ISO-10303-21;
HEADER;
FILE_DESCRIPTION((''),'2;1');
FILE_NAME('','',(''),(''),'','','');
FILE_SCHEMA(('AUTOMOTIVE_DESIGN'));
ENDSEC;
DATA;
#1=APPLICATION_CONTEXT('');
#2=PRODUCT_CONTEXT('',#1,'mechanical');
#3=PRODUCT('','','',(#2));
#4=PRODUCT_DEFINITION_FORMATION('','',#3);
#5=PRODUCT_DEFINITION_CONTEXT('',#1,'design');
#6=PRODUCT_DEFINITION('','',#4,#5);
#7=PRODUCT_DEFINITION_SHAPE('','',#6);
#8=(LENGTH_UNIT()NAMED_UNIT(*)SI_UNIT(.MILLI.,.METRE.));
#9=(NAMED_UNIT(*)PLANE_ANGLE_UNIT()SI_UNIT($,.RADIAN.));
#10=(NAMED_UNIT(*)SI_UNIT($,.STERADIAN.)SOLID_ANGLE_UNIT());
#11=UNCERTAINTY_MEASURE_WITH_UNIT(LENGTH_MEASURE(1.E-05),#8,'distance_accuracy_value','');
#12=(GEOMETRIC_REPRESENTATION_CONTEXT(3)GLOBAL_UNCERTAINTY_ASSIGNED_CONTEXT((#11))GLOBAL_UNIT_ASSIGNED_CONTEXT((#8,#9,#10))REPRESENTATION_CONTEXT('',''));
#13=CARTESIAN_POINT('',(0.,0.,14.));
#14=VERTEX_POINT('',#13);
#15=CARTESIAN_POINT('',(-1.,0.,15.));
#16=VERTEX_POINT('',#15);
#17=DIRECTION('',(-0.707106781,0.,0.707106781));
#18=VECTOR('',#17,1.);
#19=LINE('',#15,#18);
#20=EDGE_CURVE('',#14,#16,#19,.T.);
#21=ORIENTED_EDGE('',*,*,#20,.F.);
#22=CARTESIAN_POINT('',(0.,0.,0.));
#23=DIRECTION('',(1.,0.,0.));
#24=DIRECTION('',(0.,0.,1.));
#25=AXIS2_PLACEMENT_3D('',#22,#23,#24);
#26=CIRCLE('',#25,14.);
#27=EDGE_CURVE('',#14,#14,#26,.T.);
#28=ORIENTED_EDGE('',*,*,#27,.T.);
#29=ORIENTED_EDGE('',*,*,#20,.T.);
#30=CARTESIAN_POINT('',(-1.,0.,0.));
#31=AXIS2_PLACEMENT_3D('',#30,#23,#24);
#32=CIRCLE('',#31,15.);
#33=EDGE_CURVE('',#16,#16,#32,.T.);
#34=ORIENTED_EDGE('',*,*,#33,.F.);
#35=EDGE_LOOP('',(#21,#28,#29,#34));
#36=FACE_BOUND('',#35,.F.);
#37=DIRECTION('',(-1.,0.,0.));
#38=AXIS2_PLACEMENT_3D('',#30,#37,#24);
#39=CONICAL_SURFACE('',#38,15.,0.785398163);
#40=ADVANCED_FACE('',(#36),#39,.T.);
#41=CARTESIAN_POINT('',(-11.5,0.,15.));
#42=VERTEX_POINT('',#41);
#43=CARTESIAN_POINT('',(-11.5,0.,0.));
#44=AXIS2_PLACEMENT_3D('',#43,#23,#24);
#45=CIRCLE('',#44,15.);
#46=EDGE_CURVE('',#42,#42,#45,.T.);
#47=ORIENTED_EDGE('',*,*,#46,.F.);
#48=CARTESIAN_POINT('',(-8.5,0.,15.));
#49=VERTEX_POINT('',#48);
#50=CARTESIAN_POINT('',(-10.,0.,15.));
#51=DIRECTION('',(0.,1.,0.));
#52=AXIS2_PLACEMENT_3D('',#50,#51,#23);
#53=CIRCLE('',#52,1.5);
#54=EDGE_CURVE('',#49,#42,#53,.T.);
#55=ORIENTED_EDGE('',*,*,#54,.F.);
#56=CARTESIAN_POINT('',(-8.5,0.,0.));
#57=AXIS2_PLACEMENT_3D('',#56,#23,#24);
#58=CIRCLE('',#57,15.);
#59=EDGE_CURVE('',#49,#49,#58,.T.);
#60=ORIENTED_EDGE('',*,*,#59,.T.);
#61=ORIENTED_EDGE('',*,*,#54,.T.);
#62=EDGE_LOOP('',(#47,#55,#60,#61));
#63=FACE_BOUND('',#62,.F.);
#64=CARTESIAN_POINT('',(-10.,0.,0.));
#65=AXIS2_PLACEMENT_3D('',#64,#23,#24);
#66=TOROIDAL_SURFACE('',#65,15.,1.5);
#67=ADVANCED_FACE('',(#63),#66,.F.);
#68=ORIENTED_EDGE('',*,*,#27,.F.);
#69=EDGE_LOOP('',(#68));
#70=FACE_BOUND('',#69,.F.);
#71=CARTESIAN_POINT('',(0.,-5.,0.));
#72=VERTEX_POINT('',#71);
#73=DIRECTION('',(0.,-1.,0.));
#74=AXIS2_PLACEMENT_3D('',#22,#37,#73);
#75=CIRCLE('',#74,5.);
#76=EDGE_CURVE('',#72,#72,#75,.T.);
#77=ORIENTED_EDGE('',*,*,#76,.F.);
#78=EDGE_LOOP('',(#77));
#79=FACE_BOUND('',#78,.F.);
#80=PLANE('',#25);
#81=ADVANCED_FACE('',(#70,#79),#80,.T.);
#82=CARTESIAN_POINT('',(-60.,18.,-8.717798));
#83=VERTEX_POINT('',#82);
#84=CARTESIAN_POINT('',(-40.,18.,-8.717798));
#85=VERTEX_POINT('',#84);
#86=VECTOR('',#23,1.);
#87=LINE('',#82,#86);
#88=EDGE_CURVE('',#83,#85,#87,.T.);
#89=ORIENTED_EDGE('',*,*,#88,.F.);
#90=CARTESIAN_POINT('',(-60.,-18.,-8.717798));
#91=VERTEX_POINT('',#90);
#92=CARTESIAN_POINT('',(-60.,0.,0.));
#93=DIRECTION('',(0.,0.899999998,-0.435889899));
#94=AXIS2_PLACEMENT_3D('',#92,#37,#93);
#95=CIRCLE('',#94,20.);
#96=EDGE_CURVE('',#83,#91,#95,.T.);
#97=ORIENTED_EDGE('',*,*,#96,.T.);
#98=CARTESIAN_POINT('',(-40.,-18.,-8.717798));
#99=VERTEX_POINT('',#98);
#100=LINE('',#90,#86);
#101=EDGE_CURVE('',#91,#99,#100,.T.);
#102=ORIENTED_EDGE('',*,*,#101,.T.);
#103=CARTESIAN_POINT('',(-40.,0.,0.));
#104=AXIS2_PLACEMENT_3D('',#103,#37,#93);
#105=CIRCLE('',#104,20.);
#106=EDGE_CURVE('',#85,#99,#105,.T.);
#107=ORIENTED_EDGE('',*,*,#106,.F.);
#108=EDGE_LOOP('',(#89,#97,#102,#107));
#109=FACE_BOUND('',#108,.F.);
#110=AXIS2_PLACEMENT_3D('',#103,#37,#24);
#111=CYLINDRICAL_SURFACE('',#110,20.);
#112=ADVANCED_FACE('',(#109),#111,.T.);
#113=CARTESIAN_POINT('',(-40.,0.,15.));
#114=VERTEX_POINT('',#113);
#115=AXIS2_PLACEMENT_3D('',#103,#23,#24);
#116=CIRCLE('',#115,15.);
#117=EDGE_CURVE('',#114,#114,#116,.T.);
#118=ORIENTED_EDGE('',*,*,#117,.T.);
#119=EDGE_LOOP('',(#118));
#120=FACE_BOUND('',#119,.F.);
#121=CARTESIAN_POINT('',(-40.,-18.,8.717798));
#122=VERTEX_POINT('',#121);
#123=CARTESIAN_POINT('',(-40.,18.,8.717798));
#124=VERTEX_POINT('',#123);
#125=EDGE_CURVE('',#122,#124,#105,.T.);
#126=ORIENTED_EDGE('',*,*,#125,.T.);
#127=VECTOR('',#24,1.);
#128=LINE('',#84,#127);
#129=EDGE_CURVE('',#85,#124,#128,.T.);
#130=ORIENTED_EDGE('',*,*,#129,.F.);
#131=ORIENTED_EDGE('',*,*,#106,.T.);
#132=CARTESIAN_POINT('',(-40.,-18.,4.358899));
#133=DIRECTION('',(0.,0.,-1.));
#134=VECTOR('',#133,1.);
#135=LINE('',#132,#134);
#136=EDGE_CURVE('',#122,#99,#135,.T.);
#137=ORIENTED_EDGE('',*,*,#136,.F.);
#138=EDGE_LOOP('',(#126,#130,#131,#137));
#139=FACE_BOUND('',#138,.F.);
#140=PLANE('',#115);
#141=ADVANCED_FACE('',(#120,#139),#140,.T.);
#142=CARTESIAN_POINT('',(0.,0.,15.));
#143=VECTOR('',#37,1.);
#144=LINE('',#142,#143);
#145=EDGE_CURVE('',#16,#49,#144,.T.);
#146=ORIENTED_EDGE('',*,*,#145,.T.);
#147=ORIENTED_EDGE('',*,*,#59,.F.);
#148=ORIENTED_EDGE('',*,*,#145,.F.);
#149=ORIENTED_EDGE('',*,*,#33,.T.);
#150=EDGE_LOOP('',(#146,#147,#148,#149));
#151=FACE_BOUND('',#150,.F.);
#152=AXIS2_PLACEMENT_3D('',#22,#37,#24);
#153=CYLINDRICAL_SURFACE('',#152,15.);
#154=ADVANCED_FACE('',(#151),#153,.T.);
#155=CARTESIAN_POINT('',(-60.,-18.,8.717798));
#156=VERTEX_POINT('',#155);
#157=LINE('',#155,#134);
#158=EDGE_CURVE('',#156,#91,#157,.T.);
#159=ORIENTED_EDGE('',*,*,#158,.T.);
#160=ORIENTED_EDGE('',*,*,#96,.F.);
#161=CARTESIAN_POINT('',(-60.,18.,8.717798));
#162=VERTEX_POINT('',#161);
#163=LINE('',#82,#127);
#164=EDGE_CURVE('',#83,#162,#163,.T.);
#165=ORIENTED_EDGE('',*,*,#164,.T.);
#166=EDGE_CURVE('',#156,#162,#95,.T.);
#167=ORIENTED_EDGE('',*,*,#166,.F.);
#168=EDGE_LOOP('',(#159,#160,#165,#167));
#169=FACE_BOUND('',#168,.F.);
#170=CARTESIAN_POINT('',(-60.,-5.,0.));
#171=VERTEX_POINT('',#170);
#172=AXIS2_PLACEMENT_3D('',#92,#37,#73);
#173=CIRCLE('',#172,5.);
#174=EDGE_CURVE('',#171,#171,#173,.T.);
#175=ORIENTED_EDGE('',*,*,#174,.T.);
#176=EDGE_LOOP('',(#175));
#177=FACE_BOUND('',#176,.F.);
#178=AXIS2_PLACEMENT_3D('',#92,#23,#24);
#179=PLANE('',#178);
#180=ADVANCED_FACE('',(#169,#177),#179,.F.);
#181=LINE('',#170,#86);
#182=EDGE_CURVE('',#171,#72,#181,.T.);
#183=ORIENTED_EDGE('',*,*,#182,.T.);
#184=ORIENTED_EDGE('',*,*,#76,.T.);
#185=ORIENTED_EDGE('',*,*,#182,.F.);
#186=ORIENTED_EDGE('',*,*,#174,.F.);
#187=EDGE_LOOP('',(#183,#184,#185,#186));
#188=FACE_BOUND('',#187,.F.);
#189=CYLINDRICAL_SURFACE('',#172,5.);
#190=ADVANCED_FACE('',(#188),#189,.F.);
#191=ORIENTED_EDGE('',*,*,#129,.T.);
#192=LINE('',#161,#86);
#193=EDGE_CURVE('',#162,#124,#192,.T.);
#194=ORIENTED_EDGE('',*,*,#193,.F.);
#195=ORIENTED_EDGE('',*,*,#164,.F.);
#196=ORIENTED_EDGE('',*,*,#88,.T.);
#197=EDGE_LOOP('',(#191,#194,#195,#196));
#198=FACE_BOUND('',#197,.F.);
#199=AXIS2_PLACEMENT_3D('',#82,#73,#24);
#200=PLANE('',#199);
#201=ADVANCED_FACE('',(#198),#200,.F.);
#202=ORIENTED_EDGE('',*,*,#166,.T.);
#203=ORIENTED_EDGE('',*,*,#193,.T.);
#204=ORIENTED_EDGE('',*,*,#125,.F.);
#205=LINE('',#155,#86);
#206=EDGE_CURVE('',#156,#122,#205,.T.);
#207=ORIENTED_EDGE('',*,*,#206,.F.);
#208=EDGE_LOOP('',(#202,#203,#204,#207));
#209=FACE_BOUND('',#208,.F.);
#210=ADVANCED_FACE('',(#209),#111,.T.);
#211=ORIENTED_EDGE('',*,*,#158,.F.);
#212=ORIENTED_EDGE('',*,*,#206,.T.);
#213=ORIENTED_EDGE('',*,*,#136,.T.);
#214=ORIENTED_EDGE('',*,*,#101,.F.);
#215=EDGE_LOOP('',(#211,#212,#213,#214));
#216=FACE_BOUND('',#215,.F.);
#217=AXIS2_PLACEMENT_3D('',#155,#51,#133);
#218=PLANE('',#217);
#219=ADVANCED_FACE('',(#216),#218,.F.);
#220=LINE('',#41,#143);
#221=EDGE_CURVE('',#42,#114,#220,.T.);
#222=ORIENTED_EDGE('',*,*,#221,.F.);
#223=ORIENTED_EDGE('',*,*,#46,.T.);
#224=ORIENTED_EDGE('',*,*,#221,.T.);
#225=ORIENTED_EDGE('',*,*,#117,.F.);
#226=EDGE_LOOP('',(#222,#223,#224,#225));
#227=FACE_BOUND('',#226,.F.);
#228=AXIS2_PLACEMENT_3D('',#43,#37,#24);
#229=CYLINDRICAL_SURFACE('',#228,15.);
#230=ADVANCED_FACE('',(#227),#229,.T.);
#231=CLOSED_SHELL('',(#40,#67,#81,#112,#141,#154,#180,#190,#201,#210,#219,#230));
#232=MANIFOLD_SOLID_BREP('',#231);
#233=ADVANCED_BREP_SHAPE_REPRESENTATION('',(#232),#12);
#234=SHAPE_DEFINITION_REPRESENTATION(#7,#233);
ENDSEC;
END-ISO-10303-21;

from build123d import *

# Parameters (mm, degrees)
F2_R     = 5
F3_DEPTH = 60
F4_SIZE  = 1
F6_DEPTH = 20
F7_DEPTH = 25


with BuildPart() as f1:
    # F0 (on Front) → F1 (revolve)
    with BuildSketch(Plane.XZ):
        with BuildLine():
            Line((-60, 0), (0, 0))
            Line((0, 0), (0, 15))
            Line((0, 15), (-8.5, 15))
            ThreePointArc((-8.5, 15), (-10, 13.5), (-11.5, 15))
            Line((-11.5, 15), (-40, 15))
            Line((-40, 15), (-40, 20))
            Line((-40, 20), (-60, 20))
            Line((-60, 20), (-60, 0))
        make_face()
    revolve(axis=Axis((-34.051096, 0, 0), (1, 0, 0)))

    # F2 (on face) → F3 (cut, through all)
    with BuildSketch(Plane(origin=(-60, 0, 0), x_dir=(0, -1, 0), z_dir=(-1, 0, 0))):
        Circle(F2_R)
    extrude(amount=-F3_DEPTH, mode=Mode.SUBTRACT)

    # F4
    f4_edges = [f1.edges().sort_by_distance(p)[0] for p in [
        (0, 0, -15),
    ]]
    chamfer(f4_edges, length=F4_SIZE)

    # F5 (on face) → F6 (cut, through all)
    with BuildSketch(Plane(origin=(-60, 0, 0), x_dir=(0, -1, 0), z_dir=(-1, 0, 0))):
        with BuildLine():
            Line((-18, -8.717798), (-18, 8.717798))
            ThreePointArc((-18, 8.717798), (-20, 0), (-18, -8.717798))
        make_face()
    extrude(amount=-F6_DEPTH, mode=Mode.SUBTRACT)

    # F5 (on face) → F7 (cut)
    with BuildSketch(Plane(origin=(-60, 0, 0), x_dir=(0, -1, 0), z_dir=(-1, 0, 0))):
        with BuildLine():
            ThreePointArc((20, 0), (19.493589, 4.472136), (18, 8.717798))
            Line((18, 8.717798), (18, -8.717798))
            ThreePointArc((18, -8.717798), (19.493589, -4.472136), (20, 0))
        make_face()
    extrude(amount=-F7_DEPTH, mode=Mode.SUBTRACT)


solid = f1.part
